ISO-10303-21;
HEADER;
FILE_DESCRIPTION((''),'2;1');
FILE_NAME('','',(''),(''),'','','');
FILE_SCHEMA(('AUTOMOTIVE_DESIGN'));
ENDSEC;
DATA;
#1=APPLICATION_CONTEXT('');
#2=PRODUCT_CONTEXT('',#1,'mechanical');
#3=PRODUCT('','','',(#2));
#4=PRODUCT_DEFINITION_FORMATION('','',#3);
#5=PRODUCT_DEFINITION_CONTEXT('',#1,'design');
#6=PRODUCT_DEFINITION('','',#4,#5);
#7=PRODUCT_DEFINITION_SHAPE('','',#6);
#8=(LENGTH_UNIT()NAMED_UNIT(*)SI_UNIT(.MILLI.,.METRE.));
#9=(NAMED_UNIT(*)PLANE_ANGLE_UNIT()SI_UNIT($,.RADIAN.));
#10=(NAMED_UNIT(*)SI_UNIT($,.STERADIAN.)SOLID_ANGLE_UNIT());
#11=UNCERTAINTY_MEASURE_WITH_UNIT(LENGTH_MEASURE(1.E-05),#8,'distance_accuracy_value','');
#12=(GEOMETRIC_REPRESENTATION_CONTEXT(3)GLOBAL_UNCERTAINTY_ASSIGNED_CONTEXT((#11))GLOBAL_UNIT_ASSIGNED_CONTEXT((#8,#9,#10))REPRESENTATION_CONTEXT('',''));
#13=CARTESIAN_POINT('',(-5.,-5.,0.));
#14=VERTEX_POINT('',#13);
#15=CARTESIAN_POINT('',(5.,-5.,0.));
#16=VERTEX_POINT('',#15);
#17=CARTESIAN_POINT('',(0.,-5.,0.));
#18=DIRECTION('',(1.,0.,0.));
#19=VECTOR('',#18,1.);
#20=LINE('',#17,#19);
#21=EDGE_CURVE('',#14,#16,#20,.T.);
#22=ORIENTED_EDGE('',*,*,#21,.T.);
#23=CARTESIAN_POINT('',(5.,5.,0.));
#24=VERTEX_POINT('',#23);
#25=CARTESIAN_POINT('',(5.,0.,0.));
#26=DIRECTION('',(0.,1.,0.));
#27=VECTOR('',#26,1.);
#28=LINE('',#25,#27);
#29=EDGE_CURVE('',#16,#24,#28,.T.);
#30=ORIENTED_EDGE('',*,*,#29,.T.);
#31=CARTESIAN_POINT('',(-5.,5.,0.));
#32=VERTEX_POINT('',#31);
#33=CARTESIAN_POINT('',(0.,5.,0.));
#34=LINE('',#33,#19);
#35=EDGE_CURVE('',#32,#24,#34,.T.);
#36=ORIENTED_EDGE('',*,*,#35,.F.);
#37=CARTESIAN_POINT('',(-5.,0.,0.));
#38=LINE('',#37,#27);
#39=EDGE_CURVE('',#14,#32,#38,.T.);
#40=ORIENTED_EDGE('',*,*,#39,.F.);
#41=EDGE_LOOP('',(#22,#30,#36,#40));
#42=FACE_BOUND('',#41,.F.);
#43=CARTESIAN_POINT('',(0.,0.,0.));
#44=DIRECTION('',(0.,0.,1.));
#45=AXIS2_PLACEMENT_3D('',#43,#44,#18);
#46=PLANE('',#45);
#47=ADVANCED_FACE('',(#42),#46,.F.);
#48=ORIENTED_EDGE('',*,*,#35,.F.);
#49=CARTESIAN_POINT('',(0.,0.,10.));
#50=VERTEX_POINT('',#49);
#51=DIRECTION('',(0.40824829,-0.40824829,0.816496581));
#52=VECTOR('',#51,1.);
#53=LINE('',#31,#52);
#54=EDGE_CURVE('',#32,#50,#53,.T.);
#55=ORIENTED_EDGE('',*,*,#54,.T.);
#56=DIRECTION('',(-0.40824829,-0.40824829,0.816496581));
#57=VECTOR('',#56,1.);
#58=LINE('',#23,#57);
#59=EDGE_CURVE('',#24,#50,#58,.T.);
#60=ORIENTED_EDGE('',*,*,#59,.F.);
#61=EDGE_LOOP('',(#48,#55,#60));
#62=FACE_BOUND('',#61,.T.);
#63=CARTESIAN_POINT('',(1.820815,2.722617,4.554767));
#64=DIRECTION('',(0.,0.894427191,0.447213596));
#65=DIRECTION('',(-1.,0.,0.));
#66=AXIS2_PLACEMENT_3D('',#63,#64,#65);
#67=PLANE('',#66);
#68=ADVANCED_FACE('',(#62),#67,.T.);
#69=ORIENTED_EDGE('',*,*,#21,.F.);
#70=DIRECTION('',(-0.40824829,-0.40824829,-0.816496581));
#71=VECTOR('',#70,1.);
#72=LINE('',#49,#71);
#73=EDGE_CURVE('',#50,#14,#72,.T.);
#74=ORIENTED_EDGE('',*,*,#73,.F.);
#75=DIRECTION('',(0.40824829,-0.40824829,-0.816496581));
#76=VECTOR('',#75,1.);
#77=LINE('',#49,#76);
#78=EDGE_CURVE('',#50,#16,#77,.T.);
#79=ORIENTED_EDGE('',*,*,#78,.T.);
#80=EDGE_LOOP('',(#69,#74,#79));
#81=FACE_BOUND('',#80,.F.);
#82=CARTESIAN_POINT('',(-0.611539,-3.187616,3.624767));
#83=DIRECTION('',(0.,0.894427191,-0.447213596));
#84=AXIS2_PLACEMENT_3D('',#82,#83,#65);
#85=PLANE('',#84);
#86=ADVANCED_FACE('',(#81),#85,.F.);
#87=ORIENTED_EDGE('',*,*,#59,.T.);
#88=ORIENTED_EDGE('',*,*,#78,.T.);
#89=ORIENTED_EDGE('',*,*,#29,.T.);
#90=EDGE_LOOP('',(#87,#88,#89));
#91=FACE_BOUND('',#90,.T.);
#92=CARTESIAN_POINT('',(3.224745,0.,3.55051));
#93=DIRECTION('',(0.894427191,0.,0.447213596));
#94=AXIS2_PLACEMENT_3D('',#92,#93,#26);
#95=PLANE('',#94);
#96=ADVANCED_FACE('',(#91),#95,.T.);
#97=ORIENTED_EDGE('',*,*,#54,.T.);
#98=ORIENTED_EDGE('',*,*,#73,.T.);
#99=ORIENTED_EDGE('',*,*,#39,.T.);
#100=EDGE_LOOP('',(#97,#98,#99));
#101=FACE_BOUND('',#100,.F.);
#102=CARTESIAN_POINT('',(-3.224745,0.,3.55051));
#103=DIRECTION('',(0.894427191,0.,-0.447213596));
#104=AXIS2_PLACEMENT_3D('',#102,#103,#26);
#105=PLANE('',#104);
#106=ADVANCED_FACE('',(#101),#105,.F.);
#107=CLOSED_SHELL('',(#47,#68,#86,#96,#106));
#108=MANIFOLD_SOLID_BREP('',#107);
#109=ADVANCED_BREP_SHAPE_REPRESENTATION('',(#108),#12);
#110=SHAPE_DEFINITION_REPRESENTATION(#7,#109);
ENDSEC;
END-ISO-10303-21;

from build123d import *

# Parameters (mm, degrees)
F0_W      = 10
F0_H      = 10
F7_DEPTH  = 10
F8_DEPTH  = 4.473135955
F9_DEPTH  = 4.473135955
F12_W     = 19.2976649851
F12_H     = 18.8721097074
F13_DEPTH = 4.473135955
F14_W     = 48.2514444739
F14_H     = 43.6994209886
F15_DEPTH = 4.473135955


with BuildPart() as f7:
    # F0 (on Top) → F7 (new body)
    with BuildSketch(Plane.XY):
        Rectangle(F0_W, F0_H)
    extrude(amount=F7_DEPTH)

    # F4 (on 3pt) → F8 (cut, through all)
    with BuildSketch(Plane(origin=(4, 0, 2), x_dir=(0, 1, 0), z_dir=(0.894427191, 0, 0.4472135955))):
        Polygon((0, 8.94427191), (-5, -2.2360679775), (5, -2.2360679775), align=None)
    extrude(amount=F8_DEPTH, mode=Mode.SUBTRACT)

    # F6 (on 3pt) → F9 (cut, through all)
    with BuildSketch(Plane(origin=(-4, 0, 2), x_dir=(0, 1, 0), z_dir=(0.894427191, 0, -0.4472135955))):
        Polygon((-5, -2.2360679775), (5, -2.2360679775), (0, 8.94427191), align=None)
    extrude(amount=-F9_DEPTH, mode=Mode.SUBTRACT)

    # F12 (on 3pt) → F13 (cut, through all)
    with BuildSketch(Plane(origin=(0, -4, 2), x_dir=(-1, 0, 0), z_dir=(0, 0.894427191, -0.4472135955))):
        with Locations((0.6115389988, 1.8165449146)):
            Rectangle(F12_W, F12_H)
    extrude(amount=-F13_DEPTH, mode=Mode.SUBTRACT)

    # F14 (on 3pt) → F15 (cut, through all)
    with BuildSketch(Plane(origin=(0, 4, 2), x_dir=(-1, 0, 0), z_dir=(0, 0.894427191, 0.4472135955))):
        with Locations((-1.8208147958, 2.8563160449)):
            Rectangle(F14_W, F14_H)
    extrude(amount=F15_DEPTH, mode=Mode.SUBTRACT)


solid = f7.part
